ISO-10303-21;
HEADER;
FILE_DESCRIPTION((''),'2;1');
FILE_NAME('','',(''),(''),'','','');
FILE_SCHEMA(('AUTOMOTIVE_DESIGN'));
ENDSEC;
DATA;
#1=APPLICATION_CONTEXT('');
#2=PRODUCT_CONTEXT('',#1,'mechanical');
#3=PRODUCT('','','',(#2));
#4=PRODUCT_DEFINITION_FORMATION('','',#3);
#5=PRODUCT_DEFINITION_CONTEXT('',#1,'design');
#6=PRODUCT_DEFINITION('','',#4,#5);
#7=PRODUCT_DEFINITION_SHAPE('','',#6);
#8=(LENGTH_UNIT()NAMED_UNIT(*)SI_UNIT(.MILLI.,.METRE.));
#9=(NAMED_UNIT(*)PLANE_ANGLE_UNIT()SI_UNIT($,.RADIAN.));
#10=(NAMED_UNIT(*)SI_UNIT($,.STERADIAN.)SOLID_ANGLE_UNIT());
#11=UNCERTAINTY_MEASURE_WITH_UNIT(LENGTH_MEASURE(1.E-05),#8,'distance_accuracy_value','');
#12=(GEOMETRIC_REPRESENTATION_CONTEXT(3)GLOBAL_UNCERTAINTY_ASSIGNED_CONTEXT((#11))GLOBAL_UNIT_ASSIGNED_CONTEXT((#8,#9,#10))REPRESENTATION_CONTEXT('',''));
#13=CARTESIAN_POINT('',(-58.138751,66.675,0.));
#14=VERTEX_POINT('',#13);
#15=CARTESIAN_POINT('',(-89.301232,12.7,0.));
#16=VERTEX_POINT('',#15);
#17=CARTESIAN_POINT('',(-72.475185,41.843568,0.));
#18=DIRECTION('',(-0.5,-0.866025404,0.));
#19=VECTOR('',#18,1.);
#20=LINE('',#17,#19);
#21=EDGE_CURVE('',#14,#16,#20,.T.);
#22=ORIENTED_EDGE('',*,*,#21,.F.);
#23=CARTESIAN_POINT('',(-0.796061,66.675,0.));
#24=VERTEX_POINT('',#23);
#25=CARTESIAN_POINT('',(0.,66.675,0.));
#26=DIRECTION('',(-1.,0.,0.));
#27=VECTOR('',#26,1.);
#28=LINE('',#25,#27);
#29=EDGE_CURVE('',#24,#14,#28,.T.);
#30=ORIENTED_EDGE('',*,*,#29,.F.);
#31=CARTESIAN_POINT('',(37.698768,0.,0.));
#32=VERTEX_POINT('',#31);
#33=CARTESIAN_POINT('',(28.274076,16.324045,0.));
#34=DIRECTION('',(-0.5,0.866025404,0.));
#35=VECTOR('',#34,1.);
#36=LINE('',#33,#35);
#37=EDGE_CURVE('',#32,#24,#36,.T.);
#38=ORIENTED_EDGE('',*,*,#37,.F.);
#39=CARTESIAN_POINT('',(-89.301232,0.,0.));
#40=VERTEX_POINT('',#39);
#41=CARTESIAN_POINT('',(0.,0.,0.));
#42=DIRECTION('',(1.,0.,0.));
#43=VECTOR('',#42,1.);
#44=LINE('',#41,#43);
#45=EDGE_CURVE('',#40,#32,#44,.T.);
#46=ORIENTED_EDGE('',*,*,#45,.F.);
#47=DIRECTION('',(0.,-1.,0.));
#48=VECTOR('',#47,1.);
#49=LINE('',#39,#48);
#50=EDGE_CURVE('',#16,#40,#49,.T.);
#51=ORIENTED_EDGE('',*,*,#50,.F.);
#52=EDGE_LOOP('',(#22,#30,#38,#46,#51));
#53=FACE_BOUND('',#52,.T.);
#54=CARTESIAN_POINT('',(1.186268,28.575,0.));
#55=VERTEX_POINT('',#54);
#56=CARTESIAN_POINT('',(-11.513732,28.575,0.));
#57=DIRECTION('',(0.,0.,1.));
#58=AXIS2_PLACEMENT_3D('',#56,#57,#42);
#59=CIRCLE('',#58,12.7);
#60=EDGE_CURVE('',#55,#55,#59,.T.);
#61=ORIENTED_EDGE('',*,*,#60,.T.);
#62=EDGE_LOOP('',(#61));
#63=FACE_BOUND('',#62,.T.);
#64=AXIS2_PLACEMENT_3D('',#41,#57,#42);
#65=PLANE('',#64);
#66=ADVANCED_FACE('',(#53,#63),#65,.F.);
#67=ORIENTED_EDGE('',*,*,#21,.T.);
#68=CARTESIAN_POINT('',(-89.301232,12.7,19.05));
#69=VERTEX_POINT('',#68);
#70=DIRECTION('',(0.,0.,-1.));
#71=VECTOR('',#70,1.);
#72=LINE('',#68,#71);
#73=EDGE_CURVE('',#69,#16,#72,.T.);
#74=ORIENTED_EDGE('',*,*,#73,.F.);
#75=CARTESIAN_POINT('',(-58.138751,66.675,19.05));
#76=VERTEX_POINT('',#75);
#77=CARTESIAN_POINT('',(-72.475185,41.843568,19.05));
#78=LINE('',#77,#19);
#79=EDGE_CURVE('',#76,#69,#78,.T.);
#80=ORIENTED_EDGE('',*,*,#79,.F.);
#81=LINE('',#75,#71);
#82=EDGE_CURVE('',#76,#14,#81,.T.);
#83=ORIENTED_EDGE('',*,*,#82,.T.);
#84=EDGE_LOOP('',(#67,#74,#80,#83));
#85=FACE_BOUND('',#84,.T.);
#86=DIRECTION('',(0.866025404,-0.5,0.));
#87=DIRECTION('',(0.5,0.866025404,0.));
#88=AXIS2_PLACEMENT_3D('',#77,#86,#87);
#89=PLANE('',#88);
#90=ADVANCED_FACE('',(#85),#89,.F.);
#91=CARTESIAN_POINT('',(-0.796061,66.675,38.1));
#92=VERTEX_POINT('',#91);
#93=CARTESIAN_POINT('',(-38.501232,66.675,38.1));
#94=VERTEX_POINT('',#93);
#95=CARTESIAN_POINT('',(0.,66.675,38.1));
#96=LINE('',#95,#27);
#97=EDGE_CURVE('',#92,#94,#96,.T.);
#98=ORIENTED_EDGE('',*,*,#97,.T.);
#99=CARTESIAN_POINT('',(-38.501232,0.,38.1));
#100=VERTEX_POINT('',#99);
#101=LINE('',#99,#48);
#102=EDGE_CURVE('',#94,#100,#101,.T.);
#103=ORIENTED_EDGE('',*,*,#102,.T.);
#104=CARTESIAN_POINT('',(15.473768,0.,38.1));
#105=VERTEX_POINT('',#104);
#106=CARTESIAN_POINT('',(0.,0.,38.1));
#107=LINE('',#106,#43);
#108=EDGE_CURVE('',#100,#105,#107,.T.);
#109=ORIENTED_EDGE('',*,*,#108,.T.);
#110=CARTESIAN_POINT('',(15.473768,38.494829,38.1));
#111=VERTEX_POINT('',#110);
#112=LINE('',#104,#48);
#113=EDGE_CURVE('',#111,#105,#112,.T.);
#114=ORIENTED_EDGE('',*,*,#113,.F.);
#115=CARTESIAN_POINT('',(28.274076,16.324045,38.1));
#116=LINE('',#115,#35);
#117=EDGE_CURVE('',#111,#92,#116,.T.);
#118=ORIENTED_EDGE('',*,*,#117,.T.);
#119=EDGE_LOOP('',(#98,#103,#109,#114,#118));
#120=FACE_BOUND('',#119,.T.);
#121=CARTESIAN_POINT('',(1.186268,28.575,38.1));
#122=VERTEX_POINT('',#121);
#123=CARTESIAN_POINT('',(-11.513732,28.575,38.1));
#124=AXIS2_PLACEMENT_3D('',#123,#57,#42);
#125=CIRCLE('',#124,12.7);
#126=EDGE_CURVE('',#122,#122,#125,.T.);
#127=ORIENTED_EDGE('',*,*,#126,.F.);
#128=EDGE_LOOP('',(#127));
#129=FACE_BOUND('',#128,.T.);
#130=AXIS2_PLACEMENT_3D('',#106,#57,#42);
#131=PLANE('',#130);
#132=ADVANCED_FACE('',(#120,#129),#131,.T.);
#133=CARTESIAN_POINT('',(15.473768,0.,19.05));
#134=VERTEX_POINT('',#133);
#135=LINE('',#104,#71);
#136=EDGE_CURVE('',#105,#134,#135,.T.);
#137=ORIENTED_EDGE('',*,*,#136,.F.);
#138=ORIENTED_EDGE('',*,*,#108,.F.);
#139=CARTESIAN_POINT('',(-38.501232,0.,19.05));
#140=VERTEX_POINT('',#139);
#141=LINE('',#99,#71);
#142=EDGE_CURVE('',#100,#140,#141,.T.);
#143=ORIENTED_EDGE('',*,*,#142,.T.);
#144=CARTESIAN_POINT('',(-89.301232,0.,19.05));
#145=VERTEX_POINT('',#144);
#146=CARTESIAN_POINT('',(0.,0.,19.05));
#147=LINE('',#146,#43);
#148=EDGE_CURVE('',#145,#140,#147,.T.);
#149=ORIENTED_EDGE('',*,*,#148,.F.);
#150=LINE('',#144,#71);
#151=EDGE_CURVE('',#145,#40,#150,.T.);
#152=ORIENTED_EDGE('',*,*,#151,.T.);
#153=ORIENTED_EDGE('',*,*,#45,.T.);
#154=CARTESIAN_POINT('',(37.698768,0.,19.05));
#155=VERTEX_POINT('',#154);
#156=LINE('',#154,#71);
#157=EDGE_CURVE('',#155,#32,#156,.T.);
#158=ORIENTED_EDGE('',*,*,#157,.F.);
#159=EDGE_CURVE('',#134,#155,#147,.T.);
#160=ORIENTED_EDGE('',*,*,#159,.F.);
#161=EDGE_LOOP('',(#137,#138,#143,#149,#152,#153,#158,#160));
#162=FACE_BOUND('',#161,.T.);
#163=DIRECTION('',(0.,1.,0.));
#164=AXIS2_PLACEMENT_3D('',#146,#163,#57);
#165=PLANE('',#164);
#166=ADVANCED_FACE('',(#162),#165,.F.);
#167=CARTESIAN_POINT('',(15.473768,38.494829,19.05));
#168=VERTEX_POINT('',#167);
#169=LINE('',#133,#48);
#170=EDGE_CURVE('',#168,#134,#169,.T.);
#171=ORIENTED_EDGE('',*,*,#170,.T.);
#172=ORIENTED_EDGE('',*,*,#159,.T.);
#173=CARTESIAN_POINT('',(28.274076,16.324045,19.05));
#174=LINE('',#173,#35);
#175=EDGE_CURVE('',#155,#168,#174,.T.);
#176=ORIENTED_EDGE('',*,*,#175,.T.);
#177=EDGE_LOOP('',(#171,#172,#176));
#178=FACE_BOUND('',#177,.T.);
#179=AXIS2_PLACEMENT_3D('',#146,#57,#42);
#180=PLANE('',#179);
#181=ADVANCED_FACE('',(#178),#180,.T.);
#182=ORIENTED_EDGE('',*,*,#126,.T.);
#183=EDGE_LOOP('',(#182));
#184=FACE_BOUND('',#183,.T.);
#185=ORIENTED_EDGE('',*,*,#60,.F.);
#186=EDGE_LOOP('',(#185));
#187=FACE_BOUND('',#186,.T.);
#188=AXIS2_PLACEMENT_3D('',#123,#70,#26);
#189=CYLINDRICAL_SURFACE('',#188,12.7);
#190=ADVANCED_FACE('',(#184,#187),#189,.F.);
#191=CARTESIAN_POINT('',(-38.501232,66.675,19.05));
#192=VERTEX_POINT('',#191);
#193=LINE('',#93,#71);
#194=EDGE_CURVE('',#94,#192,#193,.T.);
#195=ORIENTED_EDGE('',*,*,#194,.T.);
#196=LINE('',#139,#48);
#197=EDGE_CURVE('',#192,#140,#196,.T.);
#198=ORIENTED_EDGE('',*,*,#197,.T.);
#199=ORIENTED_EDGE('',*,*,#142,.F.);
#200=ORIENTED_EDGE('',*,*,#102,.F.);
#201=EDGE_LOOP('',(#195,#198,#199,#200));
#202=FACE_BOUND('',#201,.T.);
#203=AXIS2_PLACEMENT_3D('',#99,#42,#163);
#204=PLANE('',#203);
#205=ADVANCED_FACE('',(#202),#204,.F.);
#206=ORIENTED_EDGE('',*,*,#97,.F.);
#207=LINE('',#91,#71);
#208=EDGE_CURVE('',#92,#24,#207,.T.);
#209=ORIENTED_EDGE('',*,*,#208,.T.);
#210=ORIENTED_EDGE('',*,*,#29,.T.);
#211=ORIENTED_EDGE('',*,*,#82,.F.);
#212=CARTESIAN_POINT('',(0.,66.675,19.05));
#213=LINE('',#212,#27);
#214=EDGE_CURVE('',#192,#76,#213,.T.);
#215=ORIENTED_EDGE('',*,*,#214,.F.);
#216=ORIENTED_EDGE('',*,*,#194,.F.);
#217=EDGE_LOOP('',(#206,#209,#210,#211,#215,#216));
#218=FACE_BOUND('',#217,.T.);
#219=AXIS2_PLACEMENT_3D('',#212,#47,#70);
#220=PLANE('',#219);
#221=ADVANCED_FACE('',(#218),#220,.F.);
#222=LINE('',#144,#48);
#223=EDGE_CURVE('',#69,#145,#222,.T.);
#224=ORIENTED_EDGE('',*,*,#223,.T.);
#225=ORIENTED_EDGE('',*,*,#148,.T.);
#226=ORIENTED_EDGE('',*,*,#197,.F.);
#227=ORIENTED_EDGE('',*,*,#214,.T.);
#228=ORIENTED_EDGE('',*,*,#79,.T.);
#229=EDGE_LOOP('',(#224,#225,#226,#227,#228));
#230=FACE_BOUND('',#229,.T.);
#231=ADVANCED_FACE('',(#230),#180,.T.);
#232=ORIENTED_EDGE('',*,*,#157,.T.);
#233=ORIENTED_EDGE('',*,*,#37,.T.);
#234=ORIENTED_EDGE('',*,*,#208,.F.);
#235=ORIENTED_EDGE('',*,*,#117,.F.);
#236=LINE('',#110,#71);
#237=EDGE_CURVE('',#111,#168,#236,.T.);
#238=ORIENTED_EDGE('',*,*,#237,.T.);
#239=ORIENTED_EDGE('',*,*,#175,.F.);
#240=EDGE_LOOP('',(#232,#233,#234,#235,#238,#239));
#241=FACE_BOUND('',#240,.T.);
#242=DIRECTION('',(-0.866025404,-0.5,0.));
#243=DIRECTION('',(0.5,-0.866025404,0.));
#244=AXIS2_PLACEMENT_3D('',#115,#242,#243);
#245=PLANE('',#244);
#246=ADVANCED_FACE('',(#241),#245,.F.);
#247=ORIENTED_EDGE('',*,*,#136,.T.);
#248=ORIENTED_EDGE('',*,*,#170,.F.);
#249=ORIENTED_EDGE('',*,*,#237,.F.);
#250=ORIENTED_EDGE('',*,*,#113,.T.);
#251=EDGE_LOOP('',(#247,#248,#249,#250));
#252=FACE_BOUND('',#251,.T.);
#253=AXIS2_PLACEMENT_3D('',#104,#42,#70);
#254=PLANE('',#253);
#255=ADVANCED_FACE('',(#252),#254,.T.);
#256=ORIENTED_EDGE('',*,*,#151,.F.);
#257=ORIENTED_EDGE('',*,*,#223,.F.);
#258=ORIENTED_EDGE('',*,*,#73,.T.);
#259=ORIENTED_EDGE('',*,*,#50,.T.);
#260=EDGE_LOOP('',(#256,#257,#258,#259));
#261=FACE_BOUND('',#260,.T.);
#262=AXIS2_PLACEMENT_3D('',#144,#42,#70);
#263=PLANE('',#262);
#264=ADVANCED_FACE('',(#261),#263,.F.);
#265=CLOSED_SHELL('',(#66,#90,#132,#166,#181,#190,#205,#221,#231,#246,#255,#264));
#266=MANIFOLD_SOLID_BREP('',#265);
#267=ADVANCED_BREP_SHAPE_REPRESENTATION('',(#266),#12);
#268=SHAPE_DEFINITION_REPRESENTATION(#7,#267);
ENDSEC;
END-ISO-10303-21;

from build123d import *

# Parameters (mm, degrees)
BOSS_EXTRUDE1_DEPTH   = 19.05
BOSS_EXTRUDE1_2_DEPTH = 19.05
SKETCH1_3_R           = 12.7
BOSS_EXTRUDE2_DEPTH   = 38.1


with BuildPart() as part:
    # Sketch1 → Boss-Extrude1 (new body)
    with BuildSketch(Plane.XY):
        Polygon((-58.138751056, 66.675), (-89.301231836, 12.7), (-89.301231836, 0), (-38.501231836, 0), (-38.501231836, 66.675), align=None)
    extrude(amount=BOSS_EXTRUDE1_DEPTH)



with BuildPart() as body_2:
    # Sketch1 → Boss-Extrude1 2 (new body)
    with BuildSketch(Plane.XY):
        Polygon((15.473768164, 38.494829198), (15.473768164, 0), (37.698768164, 0), align=None)
    extrude(amount=BOSS_EXTRUDE1_2_DEPTH)


with BuildPart() as part_1:
    add(part.part)

    add(body_2.part)  # Boss-Extrude2 merges body 2
    # Sketch1<3> → Boss-Extrude2 (add)
    with BuildSketch(Plane.XY):
        Polygon((-38.501231836, 66.675), (-38.501231836, 0), (15.473768164, 0), (15.473768164, 38.494829198), (-0.796061034, 66.675), align=None)
        with Locations((-11.513731836, 28.575)):
            Circle(SKETCH1_3_R, mode=Mode.SUBTRACT)
    extrude(amount=BOSS_EXTRUDE2_DEPTH)


solid = part_1.part
